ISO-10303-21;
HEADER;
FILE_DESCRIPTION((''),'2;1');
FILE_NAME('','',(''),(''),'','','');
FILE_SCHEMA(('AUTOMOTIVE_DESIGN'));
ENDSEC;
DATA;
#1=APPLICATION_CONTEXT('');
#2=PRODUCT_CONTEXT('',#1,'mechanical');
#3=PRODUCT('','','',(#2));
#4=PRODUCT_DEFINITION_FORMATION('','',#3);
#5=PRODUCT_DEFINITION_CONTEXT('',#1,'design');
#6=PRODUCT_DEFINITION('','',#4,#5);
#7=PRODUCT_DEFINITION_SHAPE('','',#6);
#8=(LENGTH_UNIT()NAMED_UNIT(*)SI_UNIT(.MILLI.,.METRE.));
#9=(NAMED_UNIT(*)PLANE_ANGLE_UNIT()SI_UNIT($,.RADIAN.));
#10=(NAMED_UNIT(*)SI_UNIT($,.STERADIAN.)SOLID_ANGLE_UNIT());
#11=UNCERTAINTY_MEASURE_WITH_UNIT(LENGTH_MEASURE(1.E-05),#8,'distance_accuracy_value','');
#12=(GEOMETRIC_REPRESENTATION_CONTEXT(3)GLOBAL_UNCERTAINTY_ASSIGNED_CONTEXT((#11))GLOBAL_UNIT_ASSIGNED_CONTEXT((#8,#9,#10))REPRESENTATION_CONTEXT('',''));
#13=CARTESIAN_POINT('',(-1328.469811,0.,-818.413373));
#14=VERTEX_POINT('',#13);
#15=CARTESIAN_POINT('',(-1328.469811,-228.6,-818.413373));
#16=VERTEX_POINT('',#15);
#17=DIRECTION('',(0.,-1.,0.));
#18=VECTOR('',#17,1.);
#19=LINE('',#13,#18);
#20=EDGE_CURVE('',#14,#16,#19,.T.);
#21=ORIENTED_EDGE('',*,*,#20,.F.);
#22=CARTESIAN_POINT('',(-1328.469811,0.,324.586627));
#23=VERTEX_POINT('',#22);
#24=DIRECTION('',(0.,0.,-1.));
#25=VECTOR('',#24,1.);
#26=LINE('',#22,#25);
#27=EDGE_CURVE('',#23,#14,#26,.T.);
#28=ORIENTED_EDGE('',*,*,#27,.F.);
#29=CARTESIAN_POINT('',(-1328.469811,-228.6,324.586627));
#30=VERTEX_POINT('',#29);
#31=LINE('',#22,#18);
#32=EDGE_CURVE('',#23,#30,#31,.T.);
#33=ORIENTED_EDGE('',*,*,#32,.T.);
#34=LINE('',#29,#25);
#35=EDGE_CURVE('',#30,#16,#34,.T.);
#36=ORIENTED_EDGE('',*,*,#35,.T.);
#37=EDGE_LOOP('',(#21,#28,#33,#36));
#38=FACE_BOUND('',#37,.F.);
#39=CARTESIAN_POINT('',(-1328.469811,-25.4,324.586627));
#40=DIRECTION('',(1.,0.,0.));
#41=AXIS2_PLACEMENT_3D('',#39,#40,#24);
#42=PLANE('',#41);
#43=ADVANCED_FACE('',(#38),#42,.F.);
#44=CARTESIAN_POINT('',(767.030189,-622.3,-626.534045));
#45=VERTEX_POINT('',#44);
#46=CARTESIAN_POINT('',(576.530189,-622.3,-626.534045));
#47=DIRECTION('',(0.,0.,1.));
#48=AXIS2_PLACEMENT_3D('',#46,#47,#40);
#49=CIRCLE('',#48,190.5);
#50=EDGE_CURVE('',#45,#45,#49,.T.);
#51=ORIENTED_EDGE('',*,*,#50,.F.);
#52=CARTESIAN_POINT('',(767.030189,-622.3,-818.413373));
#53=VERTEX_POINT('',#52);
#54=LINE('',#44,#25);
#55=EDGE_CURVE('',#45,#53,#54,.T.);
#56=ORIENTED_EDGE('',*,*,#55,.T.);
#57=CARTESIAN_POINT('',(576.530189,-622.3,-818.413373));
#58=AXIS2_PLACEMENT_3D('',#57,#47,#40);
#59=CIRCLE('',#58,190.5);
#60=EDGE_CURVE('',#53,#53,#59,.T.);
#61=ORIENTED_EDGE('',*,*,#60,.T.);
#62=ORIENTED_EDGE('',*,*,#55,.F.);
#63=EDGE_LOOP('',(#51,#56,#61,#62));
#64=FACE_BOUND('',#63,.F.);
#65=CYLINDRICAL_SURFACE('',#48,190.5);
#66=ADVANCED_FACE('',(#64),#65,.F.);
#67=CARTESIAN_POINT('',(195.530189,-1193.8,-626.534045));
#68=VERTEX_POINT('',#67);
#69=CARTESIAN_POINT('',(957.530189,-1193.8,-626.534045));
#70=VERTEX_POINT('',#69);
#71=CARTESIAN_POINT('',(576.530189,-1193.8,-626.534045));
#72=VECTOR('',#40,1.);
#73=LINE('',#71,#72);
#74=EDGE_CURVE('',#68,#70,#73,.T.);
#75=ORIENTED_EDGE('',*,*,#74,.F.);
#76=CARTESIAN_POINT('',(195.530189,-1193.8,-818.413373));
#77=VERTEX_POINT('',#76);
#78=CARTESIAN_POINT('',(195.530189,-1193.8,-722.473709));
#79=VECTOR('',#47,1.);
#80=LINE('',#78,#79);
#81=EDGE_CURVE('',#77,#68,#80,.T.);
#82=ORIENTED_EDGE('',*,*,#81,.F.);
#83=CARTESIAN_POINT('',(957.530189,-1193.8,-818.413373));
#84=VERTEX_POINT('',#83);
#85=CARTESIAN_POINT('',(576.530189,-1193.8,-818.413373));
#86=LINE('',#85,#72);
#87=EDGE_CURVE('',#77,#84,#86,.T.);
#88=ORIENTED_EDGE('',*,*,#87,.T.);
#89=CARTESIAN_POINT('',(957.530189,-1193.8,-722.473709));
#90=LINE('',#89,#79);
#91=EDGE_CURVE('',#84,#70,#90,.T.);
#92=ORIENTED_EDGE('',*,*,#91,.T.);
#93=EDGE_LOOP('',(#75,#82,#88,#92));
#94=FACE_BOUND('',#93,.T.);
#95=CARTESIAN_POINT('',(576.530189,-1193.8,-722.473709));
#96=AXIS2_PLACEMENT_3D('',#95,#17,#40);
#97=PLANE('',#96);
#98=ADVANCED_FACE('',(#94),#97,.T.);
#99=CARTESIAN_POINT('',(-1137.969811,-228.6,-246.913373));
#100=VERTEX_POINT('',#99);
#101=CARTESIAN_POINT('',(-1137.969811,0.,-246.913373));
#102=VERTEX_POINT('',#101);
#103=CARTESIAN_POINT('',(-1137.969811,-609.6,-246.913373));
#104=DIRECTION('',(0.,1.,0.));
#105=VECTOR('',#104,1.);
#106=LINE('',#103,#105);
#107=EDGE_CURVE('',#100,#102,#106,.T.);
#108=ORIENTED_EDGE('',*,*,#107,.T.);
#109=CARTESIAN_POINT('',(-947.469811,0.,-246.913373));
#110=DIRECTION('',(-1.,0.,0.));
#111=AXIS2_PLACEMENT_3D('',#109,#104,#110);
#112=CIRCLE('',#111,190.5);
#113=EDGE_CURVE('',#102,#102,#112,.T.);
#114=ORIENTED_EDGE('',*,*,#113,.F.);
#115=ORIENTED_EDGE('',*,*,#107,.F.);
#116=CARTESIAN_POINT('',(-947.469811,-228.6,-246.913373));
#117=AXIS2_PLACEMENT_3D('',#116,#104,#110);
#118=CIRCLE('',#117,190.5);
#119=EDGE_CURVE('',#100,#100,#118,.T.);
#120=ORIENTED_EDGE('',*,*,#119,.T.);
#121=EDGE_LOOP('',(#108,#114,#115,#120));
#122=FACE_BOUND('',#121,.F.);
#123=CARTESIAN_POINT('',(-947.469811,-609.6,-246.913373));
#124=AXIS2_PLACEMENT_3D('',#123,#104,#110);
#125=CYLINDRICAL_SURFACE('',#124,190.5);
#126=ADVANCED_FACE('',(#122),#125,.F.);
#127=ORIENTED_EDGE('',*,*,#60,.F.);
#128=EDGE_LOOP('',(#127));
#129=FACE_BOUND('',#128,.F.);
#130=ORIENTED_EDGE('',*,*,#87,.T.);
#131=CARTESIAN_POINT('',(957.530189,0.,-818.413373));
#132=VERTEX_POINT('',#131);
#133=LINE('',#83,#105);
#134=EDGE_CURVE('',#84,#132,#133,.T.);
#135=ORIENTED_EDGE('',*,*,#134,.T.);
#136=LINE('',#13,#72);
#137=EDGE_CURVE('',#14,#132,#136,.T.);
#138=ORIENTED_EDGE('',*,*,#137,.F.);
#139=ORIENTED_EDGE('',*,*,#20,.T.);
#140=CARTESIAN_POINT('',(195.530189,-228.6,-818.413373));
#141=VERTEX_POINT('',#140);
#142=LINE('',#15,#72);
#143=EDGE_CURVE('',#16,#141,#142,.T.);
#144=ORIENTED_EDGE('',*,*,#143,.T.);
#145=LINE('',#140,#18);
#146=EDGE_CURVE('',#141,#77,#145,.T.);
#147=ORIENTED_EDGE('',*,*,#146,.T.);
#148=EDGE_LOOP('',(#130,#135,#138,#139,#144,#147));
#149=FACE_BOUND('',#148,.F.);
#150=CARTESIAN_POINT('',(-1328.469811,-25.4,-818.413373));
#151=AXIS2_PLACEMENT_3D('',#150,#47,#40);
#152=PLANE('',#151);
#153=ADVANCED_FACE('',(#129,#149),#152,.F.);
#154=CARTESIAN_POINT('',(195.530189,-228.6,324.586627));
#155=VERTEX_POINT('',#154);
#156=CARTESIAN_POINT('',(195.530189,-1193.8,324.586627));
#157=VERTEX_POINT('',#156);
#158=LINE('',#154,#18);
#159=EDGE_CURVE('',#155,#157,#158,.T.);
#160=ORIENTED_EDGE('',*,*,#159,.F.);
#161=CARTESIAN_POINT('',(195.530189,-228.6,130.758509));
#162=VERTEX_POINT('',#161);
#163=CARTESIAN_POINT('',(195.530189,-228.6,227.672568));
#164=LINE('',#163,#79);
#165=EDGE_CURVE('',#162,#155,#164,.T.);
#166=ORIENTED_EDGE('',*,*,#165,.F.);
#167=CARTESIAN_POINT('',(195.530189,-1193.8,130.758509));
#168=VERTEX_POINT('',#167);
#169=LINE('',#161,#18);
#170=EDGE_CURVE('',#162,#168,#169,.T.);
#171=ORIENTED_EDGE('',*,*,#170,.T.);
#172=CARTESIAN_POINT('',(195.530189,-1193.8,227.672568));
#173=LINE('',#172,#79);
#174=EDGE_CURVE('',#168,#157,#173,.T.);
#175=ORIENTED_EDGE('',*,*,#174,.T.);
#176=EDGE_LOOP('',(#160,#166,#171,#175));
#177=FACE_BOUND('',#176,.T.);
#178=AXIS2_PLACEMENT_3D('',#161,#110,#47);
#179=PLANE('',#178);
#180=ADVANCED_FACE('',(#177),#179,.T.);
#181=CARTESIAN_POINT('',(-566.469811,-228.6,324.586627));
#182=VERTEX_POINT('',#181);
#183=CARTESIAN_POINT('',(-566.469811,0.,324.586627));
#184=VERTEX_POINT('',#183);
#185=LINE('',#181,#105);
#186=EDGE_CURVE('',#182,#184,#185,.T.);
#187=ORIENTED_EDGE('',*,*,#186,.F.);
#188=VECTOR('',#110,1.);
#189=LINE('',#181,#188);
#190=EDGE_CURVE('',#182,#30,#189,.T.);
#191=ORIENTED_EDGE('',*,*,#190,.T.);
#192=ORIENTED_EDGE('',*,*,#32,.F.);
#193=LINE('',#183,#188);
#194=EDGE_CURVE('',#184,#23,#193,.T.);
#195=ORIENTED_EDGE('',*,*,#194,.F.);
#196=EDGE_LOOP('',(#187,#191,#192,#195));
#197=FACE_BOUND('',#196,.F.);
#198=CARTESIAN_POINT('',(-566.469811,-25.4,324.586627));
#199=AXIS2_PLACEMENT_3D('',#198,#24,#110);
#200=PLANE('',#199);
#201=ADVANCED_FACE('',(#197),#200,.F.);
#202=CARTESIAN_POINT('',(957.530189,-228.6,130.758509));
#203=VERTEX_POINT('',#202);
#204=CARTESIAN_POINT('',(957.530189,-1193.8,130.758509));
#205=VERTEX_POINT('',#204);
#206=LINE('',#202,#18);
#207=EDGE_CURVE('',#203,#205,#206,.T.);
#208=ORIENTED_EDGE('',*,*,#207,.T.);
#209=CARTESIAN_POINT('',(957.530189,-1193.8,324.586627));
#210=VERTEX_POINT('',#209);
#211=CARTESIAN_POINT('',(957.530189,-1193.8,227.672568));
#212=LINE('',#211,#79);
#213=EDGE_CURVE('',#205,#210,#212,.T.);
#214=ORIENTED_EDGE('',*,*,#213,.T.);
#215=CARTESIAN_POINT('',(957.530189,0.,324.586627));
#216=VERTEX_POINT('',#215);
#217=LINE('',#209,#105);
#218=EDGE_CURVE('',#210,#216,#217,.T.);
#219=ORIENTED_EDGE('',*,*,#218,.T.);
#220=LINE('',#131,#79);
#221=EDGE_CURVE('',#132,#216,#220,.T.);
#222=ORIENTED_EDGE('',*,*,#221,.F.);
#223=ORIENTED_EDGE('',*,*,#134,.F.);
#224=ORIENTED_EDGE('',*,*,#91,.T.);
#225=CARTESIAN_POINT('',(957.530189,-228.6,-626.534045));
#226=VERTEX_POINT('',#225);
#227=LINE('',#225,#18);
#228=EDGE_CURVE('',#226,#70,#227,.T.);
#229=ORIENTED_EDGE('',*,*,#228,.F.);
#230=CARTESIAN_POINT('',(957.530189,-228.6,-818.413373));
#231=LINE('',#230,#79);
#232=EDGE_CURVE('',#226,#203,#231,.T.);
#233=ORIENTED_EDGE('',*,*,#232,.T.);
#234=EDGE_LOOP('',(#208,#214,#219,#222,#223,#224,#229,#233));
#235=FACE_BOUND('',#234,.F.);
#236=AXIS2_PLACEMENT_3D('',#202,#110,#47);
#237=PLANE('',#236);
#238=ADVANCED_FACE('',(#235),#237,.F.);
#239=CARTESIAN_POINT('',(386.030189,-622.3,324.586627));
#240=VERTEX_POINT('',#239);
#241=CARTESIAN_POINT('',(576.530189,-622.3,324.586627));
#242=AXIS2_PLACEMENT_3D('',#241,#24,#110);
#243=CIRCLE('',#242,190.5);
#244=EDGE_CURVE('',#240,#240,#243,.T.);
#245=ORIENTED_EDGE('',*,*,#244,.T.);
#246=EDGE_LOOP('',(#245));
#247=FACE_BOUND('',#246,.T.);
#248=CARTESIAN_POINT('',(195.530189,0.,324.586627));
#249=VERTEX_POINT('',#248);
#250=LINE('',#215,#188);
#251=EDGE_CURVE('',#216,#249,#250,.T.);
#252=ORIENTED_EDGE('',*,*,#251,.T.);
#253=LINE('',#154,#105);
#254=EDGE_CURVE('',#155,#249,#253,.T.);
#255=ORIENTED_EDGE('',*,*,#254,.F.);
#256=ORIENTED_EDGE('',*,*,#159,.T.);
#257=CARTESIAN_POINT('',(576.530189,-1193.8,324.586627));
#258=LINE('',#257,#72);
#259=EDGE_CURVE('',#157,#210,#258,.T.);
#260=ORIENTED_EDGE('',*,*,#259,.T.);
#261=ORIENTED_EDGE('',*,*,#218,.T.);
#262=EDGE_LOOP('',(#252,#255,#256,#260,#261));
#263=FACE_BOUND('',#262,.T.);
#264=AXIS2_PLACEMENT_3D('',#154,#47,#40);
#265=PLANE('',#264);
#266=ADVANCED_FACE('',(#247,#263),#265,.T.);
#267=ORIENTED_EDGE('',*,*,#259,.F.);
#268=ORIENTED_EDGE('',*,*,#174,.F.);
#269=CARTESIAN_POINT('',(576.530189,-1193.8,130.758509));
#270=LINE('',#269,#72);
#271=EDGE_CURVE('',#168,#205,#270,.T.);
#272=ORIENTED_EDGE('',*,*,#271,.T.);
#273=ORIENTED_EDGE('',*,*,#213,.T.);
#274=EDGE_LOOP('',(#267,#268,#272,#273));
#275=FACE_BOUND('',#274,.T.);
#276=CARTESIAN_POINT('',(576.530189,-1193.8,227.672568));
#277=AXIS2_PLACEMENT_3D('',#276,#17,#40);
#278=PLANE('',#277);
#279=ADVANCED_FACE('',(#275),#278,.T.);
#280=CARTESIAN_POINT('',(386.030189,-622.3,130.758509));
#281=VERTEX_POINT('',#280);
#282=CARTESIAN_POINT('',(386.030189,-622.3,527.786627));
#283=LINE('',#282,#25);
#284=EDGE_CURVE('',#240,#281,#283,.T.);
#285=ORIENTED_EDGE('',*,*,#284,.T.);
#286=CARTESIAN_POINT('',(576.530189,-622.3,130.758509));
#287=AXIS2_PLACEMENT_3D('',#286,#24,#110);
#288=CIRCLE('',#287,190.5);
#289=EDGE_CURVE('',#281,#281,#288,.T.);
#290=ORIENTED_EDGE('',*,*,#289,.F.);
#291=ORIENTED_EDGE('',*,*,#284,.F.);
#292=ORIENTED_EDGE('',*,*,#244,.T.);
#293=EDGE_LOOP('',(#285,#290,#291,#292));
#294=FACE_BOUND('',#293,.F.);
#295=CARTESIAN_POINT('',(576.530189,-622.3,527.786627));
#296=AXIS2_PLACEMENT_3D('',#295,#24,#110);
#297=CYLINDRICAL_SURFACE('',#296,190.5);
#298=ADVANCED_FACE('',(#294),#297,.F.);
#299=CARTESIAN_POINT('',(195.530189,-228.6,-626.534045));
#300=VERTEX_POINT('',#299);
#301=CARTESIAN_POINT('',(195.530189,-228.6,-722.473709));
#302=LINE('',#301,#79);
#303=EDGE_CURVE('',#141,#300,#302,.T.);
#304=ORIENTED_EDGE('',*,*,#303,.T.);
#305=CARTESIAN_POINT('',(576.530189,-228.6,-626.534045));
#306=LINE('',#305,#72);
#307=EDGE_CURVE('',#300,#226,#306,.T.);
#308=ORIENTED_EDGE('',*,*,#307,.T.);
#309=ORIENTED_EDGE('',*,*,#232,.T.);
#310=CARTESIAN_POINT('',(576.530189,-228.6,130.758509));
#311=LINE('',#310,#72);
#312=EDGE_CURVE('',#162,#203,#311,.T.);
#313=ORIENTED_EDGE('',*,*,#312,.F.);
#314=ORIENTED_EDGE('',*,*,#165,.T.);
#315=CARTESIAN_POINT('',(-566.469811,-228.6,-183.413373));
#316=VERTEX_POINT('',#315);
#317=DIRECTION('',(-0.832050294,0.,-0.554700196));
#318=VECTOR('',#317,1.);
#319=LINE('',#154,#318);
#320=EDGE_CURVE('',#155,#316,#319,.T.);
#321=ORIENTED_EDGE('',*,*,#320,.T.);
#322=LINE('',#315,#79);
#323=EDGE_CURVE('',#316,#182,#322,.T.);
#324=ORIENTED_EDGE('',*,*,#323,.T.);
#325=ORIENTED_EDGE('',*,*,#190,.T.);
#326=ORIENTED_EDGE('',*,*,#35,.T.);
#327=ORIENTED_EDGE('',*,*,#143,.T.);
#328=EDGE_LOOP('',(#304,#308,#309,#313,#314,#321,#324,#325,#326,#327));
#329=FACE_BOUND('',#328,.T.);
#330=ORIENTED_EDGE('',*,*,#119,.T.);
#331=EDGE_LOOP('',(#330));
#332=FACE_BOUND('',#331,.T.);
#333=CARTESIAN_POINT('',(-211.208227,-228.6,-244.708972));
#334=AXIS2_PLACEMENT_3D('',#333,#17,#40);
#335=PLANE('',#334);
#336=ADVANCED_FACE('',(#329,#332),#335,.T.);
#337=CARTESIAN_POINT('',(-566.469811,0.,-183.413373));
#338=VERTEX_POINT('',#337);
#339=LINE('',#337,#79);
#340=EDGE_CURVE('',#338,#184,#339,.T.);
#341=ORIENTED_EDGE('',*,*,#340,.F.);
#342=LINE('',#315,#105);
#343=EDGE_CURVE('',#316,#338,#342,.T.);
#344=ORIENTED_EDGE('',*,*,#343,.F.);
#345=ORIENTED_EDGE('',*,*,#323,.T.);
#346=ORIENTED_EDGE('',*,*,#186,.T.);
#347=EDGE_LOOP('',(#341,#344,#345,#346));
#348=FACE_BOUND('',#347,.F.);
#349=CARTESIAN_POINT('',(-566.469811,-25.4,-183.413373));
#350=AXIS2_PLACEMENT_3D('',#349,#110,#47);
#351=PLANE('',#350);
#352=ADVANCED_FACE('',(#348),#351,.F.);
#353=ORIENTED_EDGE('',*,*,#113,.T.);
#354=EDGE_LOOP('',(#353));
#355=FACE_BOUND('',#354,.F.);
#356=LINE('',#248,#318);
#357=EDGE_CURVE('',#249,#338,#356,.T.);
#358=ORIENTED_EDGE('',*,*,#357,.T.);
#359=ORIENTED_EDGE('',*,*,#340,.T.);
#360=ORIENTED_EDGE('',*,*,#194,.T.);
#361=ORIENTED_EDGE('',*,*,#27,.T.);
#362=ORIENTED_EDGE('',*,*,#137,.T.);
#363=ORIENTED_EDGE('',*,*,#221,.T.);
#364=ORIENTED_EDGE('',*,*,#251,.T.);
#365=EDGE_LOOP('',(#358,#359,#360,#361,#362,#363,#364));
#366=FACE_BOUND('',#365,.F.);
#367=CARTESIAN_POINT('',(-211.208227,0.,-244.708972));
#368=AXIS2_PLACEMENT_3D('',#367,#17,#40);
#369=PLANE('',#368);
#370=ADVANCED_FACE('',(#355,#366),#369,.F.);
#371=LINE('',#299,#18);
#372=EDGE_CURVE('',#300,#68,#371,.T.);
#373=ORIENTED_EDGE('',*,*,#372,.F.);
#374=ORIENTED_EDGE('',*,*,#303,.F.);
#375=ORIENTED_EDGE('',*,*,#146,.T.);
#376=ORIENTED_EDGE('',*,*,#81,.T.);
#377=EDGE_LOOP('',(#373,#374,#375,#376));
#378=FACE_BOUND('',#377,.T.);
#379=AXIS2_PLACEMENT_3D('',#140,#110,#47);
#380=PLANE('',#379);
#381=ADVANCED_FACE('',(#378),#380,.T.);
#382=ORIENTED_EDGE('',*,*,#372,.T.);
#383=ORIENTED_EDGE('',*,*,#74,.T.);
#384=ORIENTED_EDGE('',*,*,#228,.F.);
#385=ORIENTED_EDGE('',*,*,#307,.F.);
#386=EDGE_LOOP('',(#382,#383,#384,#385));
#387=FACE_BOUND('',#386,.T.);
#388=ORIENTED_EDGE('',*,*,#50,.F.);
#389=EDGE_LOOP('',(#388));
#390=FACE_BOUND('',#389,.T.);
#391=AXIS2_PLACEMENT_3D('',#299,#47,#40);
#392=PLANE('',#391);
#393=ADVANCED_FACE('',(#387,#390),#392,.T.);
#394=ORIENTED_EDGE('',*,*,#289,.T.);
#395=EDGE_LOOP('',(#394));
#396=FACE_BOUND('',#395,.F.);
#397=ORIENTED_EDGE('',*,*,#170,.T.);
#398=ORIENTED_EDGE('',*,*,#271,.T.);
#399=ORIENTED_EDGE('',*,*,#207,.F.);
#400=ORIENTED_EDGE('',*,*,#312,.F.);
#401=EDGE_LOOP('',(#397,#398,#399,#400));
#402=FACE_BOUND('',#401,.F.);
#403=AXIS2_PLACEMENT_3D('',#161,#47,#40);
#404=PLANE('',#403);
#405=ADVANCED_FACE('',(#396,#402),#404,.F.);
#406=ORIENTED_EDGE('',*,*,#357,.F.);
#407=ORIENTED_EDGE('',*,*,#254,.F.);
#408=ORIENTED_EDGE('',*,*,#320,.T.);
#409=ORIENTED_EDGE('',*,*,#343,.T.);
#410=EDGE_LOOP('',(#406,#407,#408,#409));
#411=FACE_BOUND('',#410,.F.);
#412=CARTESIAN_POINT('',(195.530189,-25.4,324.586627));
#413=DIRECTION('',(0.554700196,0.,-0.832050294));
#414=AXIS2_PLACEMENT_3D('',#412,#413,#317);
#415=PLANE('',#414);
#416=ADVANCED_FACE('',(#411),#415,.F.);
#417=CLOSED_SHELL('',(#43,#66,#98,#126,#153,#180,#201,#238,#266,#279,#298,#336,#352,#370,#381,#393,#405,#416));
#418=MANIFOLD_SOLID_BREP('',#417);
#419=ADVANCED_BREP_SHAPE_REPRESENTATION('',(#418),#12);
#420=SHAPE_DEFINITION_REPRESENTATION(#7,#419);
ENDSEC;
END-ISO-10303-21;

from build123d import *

# Parameters (mm, degrees)
F1_DEPTH       = 25.4
F2_DEPTH       = 203.2
F3_W           = 762
F3_H           = 193.8281174898
F3_H_2         = 191.8793287277
F4_DEPTH       = 965.2
F7_D           = 381
F7_DEPTH       = 203.2
F7_TIP         = 114.4639479248
F7_ON_F6_D     = 381
F7_ON_F6_DEPTH = 203.2
F7_ON_F6_TIP   = 114.4639479248
F9_D           = 381
F9_DEPTH       = 381
F9_TIP         = 114.4639479248


with BuildPart() as f1:
    # F0 (on Front) → F1 (new body)
    with BuildSketch(Plane.XZ):
        Polygon((-566.4698105954, 324.5866265297), (-1328.4698105954, 324.5866265297), (-1328.4698105954, -818.4133734703), (957.5301894046, -818.4133734703), (957.5301894046, 324.5866265297), (195.5301894046, 324.5866265297), (-566.4698105954, -183.4133734703), align=None)
    extrude(amount=F1_DEPTH)

    # F2 (add): a face of the model
    f2_faces = [f1.faces().sort_by_distance(p)[0] for p in [
        (-175.3098105954, -25.4, -279.0867068036),
    ]]
    extrude(f2_faces, amount=F2_DEPTH)

    # F3 (on face) → F4 (join)
    with BuildSketch(Plane.XZ.offset(228.6)):
        with Locations((576.5301894046, 227.6725677848)):
            Rectangle(F3_W, F3_H)
        with Locations((576.5301894046, -722.4737091064)):
            Rectangle(F3_W, F3_H_2)
    extrude(amount=F4_DEPTH)

    # F7
    with Locations(Plane.XY.offset(324.5866265297)):
        with Locations((576.5301894046, -622.3)):
            Hole(F7_D / 2, depth=F7_DEPTH)
            with Locations((0, 0, -(F7_DEPTH + F7_TIP / 2))):  # 118° drill point
                Cone(0, F7_D / 2, F7_TIP, mode=Mode.SUBTRACT)

    # F7 on F6 (one way)
    with BuildSketch(Plane.XY.offset(-626.5340447426)):
        with Locations((576.5301894046, -622.3)):
            Circle(F7_ON_F6_D / 2)
    extrude(amount=-F7_ON_F6_DEPTH, mode=Mode.SUBTRACT)
    with Locations(Plane.XY.offset(-626.5340447426)):
        with Locations((576.5301894046, -622.3)):
            with Locations((0, 0, -(F7_ON_F6_DEPTH + F7_ON_F6_TIP / 2))):  # 118° drill point
                Cone(0, F7_ON_F6_D / 2, F7_ON_F6_TIP, mode=Mode.SUBTRACT)

    # F9
    with Locations(Plane.XZ.offset(228.6)):
        with Locations((-947.4698105954, -246.9133734703)):
            Hole(F9_D / 2, depth=F9_DEPTH)
            with Locations((0, 0, -(F9_DEPTH + F9_TIP / 2))):  # 118° drill point
                Cone(0, F9_D / 2, F9_TIP, mode=Mode.SUBTRACT)


solid = f1.part
